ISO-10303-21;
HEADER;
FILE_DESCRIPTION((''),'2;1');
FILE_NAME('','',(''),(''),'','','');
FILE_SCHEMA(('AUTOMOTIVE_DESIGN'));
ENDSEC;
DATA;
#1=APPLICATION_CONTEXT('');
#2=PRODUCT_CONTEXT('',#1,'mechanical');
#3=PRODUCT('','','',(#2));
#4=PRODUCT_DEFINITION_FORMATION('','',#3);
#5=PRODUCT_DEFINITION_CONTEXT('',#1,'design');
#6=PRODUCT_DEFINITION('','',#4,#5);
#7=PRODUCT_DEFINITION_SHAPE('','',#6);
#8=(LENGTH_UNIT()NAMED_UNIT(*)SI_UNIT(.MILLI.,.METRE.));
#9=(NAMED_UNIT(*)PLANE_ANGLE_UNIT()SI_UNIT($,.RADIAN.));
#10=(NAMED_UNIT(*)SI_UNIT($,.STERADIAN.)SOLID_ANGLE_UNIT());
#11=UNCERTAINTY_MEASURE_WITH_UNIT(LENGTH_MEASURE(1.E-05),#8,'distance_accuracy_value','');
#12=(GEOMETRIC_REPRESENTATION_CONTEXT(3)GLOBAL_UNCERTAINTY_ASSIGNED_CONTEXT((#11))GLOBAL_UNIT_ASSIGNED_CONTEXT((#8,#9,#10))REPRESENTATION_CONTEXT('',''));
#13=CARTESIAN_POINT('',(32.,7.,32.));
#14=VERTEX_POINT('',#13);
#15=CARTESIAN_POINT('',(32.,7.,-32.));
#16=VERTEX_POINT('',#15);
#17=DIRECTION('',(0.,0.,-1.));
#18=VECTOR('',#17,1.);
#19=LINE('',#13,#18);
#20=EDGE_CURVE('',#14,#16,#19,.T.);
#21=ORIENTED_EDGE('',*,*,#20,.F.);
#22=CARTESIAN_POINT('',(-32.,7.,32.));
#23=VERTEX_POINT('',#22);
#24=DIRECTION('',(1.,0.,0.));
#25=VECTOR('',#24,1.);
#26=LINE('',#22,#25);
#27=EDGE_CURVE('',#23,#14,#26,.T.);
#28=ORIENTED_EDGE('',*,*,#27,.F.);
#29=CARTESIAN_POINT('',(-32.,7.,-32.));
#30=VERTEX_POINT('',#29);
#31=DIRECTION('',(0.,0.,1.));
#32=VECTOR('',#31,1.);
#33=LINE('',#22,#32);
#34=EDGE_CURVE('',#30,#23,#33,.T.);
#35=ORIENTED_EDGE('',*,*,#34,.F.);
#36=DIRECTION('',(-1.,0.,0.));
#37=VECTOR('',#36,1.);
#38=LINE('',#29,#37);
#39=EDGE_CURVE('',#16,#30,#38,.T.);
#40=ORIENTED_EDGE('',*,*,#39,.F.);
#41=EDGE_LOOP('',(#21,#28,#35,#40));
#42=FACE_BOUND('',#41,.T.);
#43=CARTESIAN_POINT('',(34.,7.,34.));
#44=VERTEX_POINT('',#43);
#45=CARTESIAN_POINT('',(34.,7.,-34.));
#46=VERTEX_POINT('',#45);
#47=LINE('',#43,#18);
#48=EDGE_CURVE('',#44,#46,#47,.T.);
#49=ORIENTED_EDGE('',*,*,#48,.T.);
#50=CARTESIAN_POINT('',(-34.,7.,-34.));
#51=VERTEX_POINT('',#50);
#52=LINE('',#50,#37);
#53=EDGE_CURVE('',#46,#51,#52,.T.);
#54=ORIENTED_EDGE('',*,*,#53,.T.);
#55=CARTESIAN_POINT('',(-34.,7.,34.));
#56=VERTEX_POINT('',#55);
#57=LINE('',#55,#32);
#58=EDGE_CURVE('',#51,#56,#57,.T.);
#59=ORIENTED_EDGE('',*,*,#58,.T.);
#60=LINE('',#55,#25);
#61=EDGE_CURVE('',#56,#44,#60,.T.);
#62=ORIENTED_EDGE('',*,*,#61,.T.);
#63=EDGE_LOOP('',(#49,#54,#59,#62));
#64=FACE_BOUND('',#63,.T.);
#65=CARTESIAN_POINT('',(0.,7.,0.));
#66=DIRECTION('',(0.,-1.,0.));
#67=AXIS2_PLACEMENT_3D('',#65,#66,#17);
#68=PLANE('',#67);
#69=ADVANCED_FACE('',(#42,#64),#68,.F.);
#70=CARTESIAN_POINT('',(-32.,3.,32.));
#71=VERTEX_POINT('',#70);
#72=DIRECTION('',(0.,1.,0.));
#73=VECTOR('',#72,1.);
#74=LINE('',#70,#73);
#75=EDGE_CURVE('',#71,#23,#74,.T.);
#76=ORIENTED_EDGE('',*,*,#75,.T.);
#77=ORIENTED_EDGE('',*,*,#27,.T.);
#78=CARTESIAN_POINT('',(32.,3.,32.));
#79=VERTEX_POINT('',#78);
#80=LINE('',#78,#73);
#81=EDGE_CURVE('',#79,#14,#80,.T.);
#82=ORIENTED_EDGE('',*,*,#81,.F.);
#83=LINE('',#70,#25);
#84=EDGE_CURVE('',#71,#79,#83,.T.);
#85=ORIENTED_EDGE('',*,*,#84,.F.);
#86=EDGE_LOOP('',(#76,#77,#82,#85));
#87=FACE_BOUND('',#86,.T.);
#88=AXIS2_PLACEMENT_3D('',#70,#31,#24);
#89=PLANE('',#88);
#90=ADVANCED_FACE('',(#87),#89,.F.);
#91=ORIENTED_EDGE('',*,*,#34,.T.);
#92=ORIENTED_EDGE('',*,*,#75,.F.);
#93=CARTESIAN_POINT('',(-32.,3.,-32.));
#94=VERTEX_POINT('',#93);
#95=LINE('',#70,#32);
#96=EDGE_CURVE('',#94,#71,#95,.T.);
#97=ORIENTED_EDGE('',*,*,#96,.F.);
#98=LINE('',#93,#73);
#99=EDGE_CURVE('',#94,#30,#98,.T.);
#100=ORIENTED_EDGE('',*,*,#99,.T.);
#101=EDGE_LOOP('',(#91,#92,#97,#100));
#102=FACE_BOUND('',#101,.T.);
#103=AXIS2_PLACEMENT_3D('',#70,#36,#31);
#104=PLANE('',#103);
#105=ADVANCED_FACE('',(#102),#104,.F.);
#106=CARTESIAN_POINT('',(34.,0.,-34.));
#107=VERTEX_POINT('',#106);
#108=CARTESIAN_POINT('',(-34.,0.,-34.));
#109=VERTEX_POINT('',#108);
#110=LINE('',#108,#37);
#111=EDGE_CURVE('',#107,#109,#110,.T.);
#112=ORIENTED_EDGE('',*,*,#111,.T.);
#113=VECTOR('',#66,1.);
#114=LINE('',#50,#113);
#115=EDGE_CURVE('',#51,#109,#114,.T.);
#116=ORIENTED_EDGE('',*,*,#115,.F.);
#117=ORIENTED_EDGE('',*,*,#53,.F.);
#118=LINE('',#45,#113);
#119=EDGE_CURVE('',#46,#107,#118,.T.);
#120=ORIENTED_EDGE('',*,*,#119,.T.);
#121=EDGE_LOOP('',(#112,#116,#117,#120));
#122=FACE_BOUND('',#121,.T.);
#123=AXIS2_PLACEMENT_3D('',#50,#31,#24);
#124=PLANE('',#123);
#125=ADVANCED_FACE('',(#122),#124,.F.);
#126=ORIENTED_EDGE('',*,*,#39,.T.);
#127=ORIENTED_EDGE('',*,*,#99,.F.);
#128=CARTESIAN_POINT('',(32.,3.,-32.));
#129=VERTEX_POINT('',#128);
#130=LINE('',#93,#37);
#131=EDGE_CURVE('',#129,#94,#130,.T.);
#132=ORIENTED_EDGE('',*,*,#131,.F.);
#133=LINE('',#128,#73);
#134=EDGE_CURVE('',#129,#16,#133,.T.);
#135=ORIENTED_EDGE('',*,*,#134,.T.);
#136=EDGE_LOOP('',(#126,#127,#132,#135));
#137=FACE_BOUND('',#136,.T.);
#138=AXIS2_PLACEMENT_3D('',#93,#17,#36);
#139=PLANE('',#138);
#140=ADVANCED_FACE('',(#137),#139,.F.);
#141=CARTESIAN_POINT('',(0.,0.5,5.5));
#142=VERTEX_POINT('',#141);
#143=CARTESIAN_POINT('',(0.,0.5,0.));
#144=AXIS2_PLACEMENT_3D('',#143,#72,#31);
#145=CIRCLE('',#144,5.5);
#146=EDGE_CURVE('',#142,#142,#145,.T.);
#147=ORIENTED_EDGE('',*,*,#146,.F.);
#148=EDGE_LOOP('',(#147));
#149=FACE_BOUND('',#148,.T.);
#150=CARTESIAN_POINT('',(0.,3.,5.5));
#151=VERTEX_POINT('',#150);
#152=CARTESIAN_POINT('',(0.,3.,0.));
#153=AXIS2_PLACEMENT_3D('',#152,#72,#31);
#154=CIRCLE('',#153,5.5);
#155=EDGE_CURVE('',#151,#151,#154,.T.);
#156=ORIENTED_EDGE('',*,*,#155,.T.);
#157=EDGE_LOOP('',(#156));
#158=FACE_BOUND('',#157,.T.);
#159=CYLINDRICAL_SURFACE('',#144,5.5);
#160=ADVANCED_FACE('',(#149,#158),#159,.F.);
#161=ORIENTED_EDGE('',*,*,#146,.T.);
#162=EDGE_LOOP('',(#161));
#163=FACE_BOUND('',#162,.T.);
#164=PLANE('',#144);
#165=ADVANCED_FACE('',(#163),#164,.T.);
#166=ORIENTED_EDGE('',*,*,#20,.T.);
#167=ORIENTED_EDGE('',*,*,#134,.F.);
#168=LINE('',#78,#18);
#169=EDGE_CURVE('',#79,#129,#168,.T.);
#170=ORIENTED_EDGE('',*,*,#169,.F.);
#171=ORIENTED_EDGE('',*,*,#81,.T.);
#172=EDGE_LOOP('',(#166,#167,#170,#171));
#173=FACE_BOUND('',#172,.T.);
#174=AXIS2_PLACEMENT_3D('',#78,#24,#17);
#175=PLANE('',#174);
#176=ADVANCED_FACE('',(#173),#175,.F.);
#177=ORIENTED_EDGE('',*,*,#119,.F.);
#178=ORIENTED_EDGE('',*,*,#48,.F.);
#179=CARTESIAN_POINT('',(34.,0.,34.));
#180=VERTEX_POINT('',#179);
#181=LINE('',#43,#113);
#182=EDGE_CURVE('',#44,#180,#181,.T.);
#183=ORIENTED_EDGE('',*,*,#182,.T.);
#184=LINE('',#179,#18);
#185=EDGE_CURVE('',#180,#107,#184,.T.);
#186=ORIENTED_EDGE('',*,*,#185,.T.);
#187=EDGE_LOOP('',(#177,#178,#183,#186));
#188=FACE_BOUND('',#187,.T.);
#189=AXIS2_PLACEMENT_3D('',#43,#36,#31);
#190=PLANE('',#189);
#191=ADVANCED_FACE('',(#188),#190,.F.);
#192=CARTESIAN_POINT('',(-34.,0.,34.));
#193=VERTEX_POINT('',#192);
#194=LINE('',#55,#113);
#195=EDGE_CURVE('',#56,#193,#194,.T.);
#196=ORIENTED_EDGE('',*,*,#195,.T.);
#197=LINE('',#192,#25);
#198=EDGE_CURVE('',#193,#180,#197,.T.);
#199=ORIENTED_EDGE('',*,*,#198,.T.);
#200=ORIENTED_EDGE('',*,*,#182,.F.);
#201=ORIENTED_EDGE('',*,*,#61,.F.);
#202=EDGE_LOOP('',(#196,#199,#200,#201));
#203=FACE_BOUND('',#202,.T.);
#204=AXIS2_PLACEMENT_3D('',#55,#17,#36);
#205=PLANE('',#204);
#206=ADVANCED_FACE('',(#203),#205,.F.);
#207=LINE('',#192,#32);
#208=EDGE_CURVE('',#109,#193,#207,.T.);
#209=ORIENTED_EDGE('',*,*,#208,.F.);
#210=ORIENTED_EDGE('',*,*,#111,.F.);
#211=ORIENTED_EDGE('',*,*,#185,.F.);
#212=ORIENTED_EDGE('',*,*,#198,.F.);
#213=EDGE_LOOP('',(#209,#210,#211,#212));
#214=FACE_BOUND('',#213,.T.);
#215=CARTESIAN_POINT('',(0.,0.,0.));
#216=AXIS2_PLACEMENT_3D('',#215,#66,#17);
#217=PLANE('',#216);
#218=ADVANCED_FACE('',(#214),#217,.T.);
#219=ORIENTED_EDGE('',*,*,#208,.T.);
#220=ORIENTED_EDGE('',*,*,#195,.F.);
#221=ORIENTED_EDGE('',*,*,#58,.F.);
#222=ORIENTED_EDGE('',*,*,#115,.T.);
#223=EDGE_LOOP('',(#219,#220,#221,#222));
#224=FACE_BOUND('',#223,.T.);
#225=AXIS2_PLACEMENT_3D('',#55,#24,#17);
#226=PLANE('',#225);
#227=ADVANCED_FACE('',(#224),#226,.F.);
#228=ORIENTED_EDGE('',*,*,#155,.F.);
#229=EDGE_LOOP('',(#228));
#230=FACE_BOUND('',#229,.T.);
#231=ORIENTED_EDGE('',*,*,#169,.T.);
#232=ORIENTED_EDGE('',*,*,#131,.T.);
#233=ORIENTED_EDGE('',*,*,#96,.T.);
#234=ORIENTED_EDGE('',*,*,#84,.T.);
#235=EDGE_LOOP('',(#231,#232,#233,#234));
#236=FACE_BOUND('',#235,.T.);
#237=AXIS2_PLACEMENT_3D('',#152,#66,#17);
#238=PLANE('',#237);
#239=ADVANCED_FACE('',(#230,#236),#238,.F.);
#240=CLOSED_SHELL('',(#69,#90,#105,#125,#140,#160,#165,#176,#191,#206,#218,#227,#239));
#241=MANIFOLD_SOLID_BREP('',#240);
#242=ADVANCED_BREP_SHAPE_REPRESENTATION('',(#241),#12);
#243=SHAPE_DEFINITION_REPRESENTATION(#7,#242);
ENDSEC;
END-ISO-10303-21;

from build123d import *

# Parameters (mm, degrees)
SKETCH1_W           = 68
SKETCH1_H           = 68
BOSS_EXTRUDE1_DEPTH = 7
SKETCH2_W           = 64
SKETCH2_H           = 64
CUT_EXTRUDE1_DEPTH  = 4
SKETCH3_R           = 5.5
CUT_EXTRUDE2_DEPTH  = 2.5


with BuildPart() as part:
    # Sketch1 → Boss-Extrude1 (new body)
    with BuildSketch(Plane(origin=(0, 0, 0), x_dir=(1, 0, 0), z_dir=(0, 1, 0))):
        Rectangle(SKETCH1_W, SKETCH1_H)
    extrude(amount=BOSS_EXTRUDE1_DEPTH)

    # Sketch2 → Cut-Extrude1 (cut)
    with BuildSketch(Plane(origin=(0, 7, 0), x_dir=(1, 0, 0), z_dir=(0, 1, 0))):
        Rectangle(SKETCH2_W, SKETCH2_H)
    extrude(amount=-CUT_EXTRUDE1_DEPTH, mode=Mode.SUBTRACT)

    # Sketch3 → Cut-Extrude2 (cut)
    with BuildSketch(Plane(origin=(0, 3, 0), x_dir=(1, 0, 0), z_dir=(0, 1, 0))):
        with Locations(Location((0, 0, 0), (0, 0, 270))):
            Circle(SKETCH3_R)
    extrude(amount=-CUT_EXTRUDE2_DEPTH, mode=Mode.SUBTRACT)


solid = part.part
